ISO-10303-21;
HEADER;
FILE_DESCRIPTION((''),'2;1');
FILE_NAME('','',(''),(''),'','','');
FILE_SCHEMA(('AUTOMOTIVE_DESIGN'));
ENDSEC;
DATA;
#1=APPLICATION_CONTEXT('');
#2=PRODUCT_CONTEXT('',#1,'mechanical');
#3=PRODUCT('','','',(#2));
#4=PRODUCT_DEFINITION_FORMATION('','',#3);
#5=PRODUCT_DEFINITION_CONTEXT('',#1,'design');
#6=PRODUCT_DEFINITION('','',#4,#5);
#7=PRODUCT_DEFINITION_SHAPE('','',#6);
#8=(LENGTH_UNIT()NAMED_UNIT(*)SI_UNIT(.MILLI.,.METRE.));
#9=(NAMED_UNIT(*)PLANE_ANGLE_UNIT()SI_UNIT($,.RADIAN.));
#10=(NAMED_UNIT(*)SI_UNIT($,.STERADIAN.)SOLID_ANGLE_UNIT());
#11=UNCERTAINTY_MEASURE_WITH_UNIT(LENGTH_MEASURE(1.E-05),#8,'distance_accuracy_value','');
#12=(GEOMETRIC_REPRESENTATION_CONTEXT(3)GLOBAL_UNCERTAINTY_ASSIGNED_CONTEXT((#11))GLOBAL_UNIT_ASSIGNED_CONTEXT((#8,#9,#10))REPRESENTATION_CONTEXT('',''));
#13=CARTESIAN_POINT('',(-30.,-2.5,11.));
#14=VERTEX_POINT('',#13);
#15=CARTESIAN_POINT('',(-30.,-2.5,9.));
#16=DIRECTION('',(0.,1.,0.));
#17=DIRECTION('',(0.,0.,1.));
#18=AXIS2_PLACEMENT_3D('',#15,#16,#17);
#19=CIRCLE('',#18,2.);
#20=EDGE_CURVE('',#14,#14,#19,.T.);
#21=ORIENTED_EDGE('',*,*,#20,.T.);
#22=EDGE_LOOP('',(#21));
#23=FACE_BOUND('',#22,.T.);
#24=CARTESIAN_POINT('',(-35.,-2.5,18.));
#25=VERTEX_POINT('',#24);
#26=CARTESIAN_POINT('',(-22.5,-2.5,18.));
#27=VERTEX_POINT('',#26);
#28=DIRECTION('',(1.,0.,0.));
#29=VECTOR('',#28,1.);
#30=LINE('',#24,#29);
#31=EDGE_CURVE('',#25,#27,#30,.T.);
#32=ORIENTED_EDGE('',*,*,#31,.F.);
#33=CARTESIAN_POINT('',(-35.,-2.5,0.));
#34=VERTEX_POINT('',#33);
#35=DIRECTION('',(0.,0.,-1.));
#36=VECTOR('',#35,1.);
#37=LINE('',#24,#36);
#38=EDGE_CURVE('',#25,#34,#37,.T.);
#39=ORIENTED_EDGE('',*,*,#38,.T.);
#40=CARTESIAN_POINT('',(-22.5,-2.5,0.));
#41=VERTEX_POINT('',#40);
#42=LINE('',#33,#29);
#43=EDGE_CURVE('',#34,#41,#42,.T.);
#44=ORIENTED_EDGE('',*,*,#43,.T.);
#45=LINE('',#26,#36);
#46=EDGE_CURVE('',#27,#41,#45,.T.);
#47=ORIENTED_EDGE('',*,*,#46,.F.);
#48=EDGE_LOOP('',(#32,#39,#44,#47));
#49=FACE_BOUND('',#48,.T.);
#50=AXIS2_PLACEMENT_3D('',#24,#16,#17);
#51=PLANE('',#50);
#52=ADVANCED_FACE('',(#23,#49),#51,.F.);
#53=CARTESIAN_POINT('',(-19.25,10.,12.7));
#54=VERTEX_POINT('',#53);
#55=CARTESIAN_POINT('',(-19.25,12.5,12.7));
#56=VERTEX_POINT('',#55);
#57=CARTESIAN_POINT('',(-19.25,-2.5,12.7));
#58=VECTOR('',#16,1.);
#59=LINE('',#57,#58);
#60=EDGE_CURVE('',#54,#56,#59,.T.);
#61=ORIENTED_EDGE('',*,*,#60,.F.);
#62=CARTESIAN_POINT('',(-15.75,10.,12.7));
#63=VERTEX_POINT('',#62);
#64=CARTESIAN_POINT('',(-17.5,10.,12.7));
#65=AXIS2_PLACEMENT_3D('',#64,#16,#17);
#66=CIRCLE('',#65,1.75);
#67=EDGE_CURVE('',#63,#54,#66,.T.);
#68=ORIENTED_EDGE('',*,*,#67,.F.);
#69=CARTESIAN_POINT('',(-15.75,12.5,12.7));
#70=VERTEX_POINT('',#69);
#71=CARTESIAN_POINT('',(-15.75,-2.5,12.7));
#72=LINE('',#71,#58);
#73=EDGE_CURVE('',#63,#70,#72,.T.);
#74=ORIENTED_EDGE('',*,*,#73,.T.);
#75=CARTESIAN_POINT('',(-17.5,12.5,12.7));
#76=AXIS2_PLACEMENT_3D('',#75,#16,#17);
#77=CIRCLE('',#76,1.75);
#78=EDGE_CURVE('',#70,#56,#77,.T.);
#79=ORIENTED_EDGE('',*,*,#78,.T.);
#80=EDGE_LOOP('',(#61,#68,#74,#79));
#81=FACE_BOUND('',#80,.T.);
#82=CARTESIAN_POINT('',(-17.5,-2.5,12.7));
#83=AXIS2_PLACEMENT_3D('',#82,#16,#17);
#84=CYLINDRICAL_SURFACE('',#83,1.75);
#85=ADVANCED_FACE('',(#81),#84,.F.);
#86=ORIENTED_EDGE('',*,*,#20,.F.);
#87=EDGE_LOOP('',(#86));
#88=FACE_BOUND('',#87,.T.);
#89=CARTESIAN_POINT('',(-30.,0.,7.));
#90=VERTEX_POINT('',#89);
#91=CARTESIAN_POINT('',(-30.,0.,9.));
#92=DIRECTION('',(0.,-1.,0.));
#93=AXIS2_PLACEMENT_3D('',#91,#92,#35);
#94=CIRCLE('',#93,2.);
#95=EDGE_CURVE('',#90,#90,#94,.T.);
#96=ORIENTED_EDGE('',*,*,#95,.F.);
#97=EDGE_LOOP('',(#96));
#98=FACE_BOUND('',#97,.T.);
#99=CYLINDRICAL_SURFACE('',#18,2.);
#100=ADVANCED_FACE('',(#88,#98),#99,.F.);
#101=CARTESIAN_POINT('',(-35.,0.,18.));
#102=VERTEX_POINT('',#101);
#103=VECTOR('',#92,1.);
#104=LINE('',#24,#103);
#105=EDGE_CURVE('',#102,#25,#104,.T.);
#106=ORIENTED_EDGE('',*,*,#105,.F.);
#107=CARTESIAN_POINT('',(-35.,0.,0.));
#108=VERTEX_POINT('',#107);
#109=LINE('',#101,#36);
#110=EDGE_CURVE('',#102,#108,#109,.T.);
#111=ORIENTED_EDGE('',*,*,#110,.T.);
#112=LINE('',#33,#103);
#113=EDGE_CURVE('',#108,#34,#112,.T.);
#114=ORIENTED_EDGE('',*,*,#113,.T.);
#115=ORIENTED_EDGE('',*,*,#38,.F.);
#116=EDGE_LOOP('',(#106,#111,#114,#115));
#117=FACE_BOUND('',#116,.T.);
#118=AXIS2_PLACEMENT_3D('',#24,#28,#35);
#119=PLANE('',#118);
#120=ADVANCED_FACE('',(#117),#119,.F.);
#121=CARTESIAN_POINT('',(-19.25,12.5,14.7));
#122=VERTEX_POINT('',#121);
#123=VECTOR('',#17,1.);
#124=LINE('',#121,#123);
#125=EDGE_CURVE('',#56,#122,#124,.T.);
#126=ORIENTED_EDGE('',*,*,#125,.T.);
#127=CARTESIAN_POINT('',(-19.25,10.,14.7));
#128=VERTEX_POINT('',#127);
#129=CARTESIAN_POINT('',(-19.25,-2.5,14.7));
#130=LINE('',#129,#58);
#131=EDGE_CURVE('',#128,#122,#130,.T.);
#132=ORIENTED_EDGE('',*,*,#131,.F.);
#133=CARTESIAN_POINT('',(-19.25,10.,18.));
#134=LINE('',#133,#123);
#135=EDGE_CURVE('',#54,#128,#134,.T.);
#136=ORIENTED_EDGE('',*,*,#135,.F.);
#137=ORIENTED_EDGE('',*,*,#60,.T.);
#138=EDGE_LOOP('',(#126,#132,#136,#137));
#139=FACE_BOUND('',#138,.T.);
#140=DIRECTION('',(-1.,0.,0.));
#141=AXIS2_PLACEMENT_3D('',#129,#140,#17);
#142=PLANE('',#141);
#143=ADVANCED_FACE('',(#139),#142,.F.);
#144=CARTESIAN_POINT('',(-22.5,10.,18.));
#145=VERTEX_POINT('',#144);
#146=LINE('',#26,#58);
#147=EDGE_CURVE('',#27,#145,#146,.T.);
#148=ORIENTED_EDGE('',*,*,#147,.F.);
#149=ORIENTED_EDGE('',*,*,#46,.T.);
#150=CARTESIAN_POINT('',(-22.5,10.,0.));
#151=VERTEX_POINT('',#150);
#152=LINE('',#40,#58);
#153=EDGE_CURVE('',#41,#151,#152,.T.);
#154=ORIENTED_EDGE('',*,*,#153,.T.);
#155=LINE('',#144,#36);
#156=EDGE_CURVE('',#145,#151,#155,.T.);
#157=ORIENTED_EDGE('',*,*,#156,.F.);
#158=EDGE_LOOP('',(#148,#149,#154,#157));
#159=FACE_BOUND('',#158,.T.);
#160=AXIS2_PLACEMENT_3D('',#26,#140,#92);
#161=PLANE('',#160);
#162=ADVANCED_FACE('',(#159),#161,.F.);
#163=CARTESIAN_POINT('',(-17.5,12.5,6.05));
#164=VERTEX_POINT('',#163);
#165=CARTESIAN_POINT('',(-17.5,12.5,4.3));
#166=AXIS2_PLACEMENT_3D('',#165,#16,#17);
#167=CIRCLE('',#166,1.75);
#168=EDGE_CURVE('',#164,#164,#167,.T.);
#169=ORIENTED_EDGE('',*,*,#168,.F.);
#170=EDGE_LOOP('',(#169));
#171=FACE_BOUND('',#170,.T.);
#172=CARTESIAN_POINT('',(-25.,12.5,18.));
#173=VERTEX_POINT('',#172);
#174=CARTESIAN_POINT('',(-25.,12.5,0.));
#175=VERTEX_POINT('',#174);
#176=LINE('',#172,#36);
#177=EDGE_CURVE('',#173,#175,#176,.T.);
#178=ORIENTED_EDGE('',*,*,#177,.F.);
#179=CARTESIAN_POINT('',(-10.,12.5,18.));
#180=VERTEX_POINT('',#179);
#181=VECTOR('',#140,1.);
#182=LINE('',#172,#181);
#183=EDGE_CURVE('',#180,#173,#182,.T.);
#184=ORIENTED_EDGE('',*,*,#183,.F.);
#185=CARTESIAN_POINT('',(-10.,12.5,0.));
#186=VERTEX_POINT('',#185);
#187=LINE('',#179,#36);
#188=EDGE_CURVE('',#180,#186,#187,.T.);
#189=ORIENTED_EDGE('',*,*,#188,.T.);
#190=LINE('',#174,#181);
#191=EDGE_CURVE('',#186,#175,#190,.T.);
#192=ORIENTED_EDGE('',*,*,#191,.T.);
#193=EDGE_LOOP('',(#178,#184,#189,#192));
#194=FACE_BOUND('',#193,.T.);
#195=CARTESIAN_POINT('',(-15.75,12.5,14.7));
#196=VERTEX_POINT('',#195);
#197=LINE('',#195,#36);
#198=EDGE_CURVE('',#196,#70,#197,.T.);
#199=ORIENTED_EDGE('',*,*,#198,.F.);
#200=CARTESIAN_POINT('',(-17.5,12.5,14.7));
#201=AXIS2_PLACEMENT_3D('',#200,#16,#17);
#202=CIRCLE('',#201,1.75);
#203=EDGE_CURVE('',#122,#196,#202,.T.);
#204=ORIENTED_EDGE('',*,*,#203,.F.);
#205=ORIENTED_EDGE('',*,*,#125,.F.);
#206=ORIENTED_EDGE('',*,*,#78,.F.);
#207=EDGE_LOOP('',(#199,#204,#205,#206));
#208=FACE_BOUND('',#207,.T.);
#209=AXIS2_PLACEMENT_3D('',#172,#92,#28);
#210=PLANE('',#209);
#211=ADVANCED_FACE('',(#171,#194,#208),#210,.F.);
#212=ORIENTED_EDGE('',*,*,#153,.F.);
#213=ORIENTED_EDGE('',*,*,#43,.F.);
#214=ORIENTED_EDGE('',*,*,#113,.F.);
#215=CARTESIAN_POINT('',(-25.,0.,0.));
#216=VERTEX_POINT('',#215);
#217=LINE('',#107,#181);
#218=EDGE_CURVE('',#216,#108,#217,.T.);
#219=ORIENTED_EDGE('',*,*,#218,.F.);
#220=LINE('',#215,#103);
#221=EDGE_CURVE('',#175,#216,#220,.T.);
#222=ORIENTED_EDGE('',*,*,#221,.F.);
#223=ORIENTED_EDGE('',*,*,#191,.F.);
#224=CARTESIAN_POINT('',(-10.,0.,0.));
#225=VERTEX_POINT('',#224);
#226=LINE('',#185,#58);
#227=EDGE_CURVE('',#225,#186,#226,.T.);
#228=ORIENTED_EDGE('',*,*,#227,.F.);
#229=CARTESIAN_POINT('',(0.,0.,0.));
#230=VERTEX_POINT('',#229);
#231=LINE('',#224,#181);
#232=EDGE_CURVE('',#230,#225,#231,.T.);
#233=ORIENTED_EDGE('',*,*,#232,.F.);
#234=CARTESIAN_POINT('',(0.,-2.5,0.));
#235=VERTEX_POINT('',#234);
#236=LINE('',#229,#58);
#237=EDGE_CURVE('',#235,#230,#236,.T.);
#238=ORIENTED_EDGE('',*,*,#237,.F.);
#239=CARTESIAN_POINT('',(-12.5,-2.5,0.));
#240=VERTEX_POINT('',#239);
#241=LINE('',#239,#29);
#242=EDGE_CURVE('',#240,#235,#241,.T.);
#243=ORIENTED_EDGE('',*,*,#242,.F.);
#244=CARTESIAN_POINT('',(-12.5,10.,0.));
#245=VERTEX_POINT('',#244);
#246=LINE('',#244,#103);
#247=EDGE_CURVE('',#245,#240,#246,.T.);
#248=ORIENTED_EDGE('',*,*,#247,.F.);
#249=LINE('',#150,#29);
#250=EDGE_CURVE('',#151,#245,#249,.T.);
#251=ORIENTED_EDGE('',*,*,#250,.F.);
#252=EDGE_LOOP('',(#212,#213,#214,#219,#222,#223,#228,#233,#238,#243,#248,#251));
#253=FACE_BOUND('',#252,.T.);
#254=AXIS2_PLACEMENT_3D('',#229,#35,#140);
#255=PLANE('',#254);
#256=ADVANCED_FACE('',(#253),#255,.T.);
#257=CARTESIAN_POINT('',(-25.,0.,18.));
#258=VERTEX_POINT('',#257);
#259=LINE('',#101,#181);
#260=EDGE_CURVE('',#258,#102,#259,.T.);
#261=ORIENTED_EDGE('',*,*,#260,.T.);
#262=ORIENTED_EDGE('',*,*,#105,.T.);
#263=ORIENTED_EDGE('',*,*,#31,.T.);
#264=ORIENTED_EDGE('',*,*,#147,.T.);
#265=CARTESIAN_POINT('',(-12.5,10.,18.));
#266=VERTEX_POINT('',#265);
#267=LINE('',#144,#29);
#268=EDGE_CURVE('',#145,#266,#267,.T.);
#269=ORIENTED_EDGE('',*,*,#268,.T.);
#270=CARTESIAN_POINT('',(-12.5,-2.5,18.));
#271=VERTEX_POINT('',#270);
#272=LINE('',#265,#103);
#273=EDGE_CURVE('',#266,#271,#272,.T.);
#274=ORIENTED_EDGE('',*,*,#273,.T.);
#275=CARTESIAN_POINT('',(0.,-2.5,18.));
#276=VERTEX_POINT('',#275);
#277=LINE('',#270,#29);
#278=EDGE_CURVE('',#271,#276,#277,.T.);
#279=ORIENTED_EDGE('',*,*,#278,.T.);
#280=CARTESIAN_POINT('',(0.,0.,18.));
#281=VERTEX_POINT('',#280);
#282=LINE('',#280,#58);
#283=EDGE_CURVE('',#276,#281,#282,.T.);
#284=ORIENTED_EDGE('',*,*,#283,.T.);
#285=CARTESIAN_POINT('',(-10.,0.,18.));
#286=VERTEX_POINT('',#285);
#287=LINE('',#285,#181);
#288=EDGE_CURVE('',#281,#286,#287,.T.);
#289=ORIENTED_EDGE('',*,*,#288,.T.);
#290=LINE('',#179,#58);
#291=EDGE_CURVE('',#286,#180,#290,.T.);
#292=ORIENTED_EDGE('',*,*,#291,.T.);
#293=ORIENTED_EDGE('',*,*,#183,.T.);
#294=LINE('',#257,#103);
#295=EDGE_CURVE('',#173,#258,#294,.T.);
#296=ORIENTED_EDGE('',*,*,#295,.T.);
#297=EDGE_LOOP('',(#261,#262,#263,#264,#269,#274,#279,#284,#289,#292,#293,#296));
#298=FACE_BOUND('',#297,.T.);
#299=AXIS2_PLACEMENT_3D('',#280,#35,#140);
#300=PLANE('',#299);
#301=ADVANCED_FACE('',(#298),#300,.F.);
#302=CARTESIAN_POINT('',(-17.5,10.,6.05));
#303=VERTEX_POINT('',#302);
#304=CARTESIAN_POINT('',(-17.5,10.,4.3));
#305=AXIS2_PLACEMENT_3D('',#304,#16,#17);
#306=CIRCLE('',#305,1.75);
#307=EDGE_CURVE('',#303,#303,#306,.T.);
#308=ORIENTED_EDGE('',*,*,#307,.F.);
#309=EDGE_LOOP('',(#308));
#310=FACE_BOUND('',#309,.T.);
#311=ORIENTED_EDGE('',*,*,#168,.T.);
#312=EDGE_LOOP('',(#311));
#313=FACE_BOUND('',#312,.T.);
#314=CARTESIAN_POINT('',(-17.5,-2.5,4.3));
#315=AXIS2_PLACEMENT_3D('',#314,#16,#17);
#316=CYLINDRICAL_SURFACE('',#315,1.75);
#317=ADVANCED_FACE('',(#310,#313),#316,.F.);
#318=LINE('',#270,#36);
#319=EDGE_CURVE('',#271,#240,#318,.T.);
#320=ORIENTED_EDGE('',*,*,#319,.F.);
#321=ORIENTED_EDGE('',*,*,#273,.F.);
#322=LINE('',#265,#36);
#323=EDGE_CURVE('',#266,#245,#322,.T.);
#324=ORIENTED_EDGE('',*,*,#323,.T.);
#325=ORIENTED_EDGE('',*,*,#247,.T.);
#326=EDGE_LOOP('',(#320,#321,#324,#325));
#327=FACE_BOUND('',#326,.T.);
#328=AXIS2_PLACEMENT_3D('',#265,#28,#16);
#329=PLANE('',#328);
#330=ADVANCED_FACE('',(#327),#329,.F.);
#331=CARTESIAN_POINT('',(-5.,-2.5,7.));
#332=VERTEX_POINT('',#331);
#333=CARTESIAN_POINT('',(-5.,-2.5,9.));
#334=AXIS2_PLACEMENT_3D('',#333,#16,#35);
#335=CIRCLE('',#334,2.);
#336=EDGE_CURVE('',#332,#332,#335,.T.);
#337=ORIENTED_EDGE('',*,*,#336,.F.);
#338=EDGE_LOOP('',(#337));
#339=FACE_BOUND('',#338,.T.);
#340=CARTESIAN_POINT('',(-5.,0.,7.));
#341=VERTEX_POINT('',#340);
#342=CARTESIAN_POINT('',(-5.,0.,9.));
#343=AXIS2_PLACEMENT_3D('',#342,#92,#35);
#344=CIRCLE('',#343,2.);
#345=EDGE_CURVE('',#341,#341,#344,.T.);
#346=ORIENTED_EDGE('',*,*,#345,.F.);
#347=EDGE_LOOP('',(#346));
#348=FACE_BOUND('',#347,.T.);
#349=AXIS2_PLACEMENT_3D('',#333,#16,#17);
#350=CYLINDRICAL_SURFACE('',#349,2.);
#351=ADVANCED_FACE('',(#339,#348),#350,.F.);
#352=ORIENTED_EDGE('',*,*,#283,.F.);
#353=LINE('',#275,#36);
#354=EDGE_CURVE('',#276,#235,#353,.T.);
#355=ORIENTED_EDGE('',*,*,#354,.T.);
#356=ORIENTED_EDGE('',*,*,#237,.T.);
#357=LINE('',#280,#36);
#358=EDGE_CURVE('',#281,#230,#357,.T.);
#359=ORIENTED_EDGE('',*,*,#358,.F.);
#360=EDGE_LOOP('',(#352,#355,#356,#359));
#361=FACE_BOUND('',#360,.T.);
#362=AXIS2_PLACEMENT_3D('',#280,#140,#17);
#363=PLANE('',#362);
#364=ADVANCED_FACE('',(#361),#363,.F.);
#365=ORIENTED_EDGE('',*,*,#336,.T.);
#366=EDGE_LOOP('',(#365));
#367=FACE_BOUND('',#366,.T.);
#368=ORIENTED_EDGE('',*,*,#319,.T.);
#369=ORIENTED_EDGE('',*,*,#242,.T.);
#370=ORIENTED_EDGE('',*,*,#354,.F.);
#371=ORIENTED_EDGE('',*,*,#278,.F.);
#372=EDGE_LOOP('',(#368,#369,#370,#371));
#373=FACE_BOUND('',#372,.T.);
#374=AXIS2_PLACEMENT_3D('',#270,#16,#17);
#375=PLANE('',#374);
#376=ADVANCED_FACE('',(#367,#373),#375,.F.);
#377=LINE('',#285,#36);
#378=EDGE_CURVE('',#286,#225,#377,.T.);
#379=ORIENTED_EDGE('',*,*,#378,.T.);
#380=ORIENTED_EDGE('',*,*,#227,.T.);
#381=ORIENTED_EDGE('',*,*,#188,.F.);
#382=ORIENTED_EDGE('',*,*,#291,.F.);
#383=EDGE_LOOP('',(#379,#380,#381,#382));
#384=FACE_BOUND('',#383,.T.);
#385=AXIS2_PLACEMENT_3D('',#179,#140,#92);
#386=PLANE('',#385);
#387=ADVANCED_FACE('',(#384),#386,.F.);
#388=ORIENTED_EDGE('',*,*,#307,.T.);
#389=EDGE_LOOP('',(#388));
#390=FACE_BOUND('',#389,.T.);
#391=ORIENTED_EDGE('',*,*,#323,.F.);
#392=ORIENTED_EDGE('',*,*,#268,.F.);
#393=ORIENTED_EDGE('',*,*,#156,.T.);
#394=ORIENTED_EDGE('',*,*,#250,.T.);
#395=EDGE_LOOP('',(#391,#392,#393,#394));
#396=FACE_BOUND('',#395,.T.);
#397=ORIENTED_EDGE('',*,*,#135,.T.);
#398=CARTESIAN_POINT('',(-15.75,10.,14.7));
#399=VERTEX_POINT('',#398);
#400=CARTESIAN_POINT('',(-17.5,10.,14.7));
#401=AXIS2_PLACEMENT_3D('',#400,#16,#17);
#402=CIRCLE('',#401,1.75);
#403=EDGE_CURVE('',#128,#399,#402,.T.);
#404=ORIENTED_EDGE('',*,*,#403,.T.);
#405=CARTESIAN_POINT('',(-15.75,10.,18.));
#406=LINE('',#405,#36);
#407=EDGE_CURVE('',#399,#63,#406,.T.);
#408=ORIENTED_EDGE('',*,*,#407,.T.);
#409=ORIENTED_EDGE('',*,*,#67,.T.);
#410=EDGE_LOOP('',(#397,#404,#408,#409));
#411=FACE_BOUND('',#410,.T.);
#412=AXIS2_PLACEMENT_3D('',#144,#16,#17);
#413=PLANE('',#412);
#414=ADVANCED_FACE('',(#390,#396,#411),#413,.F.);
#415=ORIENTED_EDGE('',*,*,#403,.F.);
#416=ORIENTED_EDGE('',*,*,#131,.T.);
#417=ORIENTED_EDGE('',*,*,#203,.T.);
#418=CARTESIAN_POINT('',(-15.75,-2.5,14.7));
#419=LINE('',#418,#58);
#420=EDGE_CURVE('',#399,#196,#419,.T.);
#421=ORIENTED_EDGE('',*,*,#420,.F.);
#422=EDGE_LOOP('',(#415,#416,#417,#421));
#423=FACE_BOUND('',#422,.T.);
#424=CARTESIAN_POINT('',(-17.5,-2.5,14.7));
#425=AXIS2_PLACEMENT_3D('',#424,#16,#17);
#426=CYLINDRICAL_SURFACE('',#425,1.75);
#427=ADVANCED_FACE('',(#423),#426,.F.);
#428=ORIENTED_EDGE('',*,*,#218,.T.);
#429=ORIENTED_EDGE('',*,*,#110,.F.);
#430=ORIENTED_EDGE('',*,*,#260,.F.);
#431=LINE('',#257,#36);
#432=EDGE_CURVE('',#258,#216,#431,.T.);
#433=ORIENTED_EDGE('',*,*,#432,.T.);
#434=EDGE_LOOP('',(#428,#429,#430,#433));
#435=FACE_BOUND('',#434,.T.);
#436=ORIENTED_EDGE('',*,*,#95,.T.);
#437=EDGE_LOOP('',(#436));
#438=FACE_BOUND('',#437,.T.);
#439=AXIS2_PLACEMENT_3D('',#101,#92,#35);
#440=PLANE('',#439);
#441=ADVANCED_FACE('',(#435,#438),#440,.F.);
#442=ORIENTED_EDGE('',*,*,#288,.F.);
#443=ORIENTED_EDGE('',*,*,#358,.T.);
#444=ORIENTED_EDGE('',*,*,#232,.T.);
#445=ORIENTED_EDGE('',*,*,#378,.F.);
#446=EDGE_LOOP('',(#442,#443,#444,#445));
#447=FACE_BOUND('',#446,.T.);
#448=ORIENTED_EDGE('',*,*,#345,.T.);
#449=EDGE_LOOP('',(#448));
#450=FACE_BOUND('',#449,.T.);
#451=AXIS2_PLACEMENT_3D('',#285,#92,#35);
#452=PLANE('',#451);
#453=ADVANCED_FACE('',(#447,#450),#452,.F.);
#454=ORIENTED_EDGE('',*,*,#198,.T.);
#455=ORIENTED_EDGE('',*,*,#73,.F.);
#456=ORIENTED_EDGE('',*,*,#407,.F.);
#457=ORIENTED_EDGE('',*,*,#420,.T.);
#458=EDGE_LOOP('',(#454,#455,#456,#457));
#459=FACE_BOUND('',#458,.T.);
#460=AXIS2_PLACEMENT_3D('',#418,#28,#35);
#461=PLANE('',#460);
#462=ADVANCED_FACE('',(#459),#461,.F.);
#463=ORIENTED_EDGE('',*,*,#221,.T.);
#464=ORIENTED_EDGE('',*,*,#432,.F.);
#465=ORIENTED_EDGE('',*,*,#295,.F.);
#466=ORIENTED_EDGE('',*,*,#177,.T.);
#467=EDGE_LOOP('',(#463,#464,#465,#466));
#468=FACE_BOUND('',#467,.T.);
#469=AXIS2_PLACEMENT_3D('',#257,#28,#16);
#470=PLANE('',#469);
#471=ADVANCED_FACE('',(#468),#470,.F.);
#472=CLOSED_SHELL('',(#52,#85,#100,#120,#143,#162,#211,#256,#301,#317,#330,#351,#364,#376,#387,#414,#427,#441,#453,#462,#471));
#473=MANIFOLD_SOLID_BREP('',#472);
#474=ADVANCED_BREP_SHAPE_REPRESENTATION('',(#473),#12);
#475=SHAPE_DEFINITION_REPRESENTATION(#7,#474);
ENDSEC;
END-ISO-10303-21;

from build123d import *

# Parameters (mm, degrees)
RESSALTO_EXTRUS_O1_DEPTH = 18
ESBO_O2_R                = 1.75
ESBO_O2_R_2              = 2
CORTE_EXTRUS_O1_DEPTH    = 43.118879377


with BuildPart() as part:
    # Esboço1 → Ressalto-extrusão1 (new body)
    with BuildSketch(Plane.XY):
        Polygon((-35, 0), (-25, 0), (-25, 12.5), (-10, 12.5), (-10, 0), (0, 0), (0, -2.5), (-12.5, -2.5), (-12.5, 10), (-22.5, 10), (-22.5, -2.5), (-35, -2.5), align=None)
    extrude(amount=RESSALTO_EXTRUS_O1_DEPTH)

    # Esboço2 → Corte-extrusão1 (cut, through all)
    with BuildSketch(Plane(origin=(0, 12.5, 0), x_dir=(1, 0, 0), z_dir=(0, 1, 0))):
        with Locations(Location((-17.5, -4.3, 0), (0, 0, 270))):
            Circle(ESBO_O2_R)
        with Locations(Location((-30, -9, 0), (0, 0, 270))):
            Circle(ESBO_O2_R_2)
        with Locations(Location((-5, -9, 0), (0, 0, 90))):
            Circle(ESBO_O2_R_2)
        with BuildLine():
            Line((-19.25, -14.7), (-19.25, -12.7))
            ThreePointArc((-19.25, -12.7), (-17.5, -10.95), (-15.75, -12.7))
            Line((-15.75, -12.7), (-15.75, -14.7))
            ThreePointArc((-15.75, -14.7), (-17.5, -16.45), (-19.25, -14.7))
        make_face()
    extrude(amount=-CORTE_EXTRUS_O1_DEPTH, mode=Mode.SUBTRACT)


solid = part.part
